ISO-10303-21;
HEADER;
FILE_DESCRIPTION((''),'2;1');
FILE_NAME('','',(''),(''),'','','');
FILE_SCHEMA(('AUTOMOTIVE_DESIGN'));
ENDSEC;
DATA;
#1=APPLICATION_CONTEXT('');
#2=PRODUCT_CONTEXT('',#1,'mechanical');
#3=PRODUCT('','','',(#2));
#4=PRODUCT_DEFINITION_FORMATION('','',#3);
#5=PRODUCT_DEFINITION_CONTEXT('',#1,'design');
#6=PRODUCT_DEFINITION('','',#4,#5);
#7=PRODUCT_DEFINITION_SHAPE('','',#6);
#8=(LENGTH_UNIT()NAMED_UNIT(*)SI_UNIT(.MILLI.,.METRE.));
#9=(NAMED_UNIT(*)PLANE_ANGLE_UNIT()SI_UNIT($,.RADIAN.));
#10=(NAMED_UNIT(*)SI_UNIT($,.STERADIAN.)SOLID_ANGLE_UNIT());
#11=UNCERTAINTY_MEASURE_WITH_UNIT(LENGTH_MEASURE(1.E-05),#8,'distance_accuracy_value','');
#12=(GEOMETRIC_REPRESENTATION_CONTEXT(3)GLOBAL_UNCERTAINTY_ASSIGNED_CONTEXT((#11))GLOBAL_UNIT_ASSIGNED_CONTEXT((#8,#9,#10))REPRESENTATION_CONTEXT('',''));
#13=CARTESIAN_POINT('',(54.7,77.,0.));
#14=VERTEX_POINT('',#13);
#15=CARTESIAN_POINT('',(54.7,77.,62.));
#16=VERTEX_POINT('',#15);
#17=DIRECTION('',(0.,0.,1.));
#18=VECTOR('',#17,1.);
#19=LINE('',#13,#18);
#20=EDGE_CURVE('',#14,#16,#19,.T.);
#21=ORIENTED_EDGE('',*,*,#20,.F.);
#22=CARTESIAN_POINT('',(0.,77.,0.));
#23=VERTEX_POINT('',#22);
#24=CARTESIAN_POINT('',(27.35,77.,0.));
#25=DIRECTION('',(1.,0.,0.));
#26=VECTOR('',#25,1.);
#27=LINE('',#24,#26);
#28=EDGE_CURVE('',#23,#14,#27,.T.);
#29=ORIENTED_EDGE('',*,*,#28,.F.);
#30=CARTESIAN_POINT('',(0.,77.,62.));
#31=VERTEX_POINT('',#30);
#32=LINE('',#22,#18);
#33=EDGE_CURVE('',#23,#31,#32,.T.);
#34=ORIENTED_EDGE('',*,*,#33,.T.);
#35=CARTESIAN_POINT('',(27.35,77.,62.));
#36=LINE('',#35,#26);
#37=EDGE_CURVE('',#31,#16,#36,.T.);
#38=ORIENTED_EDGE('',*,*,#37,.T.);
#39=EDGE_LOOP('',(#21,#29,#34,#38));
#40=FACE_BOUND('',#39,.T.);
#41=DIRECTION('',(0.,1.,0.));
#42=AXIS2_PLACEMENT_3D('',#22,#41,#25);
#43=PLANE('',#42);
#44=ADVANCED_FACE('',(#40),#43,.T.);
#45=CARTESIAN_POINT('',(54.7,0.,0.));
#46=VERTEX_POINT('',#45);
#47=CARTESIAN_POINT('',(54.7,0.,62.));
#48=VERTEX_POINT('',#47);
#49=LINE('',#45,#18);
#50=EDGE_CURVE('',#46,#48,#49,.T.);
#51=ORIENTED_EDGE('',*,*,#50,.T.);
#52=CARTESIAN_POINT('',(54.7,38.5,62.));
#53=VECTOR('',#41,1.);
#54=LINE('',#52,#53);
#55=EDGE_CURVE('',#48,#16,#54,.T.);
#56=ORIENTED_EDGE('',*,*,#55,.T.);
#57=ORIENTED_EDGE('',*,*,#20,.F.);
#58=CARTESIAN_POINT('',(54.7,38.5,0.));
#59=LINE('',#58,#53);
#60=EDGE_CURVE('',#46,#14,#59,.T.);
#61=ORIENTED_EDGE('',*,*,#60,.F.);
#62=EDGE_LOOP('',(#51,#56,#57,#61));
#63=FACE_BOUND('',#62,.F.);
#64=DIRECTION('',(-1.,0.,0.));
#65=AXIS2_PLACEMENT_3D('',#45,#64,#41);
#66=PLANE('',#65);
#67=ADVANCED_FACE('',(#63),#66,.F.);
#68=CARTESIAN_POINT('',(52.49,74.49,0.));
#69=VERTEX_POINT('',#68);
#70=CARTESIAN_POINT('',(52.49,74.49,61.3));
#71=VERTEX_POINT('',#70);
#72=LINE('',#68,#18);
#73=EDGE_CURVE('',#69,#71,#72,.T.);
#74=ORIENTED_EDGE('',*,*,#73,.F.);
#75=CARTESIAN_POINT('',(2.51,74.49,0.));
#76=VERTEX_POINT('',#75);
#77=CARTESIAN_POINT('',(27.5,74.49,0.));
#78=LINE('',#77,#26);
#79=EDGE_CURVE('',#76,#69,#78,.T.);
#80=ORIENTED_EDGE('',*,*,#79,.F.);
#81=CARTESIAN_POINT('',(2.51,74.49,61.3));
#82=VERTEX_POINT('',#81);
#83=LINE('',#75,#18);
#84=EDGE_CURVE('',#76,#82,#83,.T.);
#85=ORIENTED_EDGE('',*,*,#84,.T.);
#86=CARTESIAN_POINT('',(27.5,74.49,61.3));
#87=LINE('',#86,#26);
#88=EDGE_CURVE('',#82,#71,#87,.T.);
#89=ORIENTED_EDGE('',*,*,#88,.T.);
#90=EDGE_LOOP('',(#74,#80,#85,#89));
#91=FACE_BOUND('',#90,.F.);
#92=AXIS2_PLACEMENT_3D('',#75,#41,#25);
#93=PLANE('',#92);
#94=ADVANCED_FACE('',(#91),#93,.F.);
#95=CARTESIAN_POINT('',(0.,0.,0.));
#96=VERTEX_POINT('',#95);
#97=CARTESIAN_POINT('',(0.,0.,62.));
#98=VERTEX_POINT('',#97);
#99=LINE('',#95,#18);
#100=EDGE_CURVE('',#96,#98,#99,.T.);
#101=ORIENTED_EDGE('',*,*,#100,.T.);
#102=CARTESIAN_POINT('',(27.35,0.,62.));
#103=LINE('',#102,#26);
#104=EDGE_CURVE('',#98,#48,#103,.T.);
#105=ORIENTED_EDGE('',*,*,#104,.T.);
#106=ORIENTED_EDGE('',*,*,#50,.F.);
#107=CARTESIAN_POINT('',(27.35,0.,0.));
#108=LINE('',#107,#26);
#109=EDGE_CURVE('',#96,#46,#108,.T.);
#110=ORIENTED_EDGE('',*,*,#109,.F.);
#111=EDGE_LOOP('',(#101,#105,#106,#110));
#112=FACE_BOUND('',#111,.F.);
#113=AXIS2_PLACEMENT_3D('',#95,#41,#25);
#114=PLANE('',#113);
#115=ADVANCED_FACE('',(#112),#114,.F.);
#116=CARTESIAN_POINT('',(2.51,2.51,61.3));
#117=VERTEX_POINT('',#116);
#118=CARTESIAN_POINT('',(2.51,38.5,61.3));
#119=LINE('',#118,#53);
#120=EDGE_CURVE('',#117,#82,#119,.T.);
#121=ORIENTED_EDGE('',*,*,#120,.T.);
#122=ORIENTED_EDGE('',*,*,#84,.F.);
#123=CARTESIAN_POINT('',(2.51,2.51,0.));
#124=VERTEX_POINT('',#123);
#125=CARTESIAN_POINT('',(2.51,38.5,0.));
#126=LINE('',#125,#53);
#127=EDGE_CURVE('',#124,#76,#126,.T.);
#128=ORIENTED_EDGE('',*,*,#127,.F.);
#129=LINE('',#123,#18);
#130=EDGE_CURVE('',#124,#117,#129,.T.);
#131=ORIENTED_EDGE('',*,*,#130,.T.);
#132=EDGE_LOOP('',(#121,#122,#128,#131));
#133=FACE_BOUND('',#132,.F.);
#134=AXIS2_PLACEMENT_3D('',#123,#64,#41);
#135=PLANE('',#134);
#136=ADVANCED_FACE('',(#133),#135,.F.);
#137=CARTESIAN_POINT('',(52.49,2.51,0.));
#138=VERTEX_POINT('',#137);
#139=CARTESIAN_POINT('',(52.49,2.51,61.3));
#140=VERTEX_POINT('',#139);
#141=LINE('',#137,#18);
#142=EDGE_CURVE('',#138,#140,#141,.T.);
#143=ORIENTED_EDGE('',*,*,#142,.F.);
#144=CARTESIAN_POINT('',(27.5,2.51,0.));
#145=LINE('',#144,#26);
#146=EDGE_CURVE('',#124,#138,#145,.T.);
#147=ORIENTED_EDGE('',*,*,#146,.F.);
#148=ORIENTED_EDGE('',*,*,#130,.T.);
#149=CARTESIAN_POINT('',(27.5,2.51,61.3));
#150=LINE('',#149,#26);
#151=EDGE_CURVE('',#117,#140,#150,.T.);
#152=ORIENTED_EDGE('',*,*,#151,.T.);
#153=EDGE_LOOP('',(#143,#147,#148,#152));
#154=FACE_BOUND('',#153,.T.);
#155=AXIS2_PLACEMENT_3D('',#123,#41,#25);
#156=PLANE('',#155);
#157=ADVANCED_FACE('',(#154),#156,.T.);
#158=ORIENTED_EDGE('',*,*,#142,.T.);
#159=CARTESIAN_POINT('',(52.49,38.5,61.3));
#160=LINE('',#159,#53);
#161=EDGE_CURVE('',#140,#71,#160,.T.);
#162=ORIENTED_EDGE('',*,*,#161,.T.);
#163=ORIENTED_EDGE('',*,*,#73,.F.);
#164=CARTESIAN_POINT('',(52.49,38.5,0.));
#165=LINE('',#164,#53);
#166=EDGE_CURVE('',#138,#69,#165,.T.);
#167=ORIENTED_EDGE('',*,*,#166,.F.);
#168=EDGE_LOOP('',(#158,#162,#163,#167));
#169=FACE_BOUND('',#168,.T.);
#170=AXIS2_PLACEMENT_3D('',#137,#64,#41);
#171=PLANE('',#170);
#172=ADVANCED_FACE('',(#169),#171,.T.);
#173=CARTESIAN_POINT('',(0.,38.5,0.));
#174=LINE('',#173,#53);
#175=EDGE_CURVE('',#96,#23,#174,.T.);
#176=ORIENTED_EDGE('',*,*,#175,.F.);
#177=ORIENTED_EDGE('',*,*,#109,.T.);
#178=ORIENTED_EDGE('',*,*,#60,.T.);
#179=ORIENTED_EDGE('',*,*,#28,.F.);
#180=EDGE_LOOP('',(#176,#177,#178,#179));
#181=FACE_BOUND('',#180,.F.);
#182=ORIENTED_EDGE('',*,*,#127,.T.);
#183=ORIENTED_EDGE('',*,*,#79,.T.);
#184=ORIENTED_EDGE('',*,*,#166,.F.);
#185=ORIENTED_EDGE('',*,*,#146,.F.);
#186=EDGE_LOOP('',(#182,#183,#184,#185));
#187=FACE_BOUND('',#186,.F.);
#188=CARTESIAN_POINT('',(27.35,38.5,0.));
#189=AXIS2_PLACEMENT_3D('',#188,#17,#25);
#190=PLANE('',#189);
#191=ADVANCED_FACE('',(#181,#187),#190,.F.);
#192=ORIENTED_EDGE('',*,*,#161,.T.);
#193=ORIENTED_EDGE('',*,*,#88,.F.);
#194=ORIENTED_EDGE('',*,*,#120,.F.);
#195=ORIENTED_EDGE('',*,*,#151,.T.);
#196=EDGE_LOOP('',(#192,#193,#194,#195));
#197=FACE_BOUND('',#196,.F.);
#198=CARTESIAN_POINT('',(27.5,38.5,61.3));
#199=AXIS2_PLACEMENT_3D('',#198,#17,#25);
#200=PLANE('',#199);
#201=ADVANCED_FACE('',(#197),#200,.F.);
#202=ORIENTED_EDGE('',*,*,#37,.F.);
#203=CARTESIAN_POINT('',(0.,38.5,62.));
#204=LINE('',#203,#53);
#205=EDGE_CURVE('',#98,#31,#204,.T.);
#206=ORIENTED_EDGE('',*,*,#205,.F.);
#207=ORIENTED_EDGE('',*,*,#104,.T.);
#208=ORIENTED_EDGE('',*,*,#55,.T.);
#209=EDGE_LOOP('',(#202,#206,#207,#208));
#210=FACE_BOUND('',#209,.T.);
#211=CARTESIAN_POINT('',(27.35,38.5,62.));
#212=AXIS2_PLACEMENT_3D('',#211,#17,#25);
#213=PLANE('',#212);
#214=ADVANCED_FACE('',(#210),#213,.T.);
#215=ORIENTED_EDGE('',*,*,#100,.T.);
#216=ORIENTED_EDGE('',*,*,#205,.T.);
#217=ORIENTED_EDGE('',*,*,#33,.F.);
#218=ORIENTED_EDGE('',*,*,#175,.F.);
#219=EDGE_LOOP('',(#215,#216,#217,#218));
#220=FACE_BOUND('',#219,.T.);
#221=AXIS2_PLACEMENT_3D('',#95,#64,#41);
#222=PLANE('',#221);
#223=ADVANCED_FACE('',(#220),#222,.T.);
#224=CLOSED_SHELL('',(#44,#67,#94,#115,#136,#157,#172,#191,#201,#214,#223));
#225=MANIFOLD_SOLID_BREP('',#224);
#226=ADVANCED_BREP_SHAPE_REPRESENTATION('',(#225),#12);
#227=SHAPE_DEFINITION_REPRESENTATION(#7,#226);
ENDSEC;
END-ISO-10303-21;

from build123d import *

# Parameters (mm, degrees)
SKETCH_W     = 54.7
SKETCH_H     = 77
PAD_DEPTH    = 62
SKETCH001_W  = 49.98
SKETCH001_H  = 71.98
POCKET_DEPTH = 61.3


with BuildPart() as part:
    # Sketch → Pad (new body)
    with BuildSketch(Plane.XY):
        with Locations((27.35, 38.5)):
            Rectangle(SKETCH_W, SKETCH_H)
    extrude(amount=PAD_DEPTH)

    # Sketch001 → Pocket (cut)
    with BuildSketch(Plane.XY):
        with Locations((27.5, 38.5)):
            Rectangle(SKETCH001_W, SKETCH001_H)
    extrude(amount=POCKET_DEPTH, mode=Mode.SUBTRACT)


solid = part.part
